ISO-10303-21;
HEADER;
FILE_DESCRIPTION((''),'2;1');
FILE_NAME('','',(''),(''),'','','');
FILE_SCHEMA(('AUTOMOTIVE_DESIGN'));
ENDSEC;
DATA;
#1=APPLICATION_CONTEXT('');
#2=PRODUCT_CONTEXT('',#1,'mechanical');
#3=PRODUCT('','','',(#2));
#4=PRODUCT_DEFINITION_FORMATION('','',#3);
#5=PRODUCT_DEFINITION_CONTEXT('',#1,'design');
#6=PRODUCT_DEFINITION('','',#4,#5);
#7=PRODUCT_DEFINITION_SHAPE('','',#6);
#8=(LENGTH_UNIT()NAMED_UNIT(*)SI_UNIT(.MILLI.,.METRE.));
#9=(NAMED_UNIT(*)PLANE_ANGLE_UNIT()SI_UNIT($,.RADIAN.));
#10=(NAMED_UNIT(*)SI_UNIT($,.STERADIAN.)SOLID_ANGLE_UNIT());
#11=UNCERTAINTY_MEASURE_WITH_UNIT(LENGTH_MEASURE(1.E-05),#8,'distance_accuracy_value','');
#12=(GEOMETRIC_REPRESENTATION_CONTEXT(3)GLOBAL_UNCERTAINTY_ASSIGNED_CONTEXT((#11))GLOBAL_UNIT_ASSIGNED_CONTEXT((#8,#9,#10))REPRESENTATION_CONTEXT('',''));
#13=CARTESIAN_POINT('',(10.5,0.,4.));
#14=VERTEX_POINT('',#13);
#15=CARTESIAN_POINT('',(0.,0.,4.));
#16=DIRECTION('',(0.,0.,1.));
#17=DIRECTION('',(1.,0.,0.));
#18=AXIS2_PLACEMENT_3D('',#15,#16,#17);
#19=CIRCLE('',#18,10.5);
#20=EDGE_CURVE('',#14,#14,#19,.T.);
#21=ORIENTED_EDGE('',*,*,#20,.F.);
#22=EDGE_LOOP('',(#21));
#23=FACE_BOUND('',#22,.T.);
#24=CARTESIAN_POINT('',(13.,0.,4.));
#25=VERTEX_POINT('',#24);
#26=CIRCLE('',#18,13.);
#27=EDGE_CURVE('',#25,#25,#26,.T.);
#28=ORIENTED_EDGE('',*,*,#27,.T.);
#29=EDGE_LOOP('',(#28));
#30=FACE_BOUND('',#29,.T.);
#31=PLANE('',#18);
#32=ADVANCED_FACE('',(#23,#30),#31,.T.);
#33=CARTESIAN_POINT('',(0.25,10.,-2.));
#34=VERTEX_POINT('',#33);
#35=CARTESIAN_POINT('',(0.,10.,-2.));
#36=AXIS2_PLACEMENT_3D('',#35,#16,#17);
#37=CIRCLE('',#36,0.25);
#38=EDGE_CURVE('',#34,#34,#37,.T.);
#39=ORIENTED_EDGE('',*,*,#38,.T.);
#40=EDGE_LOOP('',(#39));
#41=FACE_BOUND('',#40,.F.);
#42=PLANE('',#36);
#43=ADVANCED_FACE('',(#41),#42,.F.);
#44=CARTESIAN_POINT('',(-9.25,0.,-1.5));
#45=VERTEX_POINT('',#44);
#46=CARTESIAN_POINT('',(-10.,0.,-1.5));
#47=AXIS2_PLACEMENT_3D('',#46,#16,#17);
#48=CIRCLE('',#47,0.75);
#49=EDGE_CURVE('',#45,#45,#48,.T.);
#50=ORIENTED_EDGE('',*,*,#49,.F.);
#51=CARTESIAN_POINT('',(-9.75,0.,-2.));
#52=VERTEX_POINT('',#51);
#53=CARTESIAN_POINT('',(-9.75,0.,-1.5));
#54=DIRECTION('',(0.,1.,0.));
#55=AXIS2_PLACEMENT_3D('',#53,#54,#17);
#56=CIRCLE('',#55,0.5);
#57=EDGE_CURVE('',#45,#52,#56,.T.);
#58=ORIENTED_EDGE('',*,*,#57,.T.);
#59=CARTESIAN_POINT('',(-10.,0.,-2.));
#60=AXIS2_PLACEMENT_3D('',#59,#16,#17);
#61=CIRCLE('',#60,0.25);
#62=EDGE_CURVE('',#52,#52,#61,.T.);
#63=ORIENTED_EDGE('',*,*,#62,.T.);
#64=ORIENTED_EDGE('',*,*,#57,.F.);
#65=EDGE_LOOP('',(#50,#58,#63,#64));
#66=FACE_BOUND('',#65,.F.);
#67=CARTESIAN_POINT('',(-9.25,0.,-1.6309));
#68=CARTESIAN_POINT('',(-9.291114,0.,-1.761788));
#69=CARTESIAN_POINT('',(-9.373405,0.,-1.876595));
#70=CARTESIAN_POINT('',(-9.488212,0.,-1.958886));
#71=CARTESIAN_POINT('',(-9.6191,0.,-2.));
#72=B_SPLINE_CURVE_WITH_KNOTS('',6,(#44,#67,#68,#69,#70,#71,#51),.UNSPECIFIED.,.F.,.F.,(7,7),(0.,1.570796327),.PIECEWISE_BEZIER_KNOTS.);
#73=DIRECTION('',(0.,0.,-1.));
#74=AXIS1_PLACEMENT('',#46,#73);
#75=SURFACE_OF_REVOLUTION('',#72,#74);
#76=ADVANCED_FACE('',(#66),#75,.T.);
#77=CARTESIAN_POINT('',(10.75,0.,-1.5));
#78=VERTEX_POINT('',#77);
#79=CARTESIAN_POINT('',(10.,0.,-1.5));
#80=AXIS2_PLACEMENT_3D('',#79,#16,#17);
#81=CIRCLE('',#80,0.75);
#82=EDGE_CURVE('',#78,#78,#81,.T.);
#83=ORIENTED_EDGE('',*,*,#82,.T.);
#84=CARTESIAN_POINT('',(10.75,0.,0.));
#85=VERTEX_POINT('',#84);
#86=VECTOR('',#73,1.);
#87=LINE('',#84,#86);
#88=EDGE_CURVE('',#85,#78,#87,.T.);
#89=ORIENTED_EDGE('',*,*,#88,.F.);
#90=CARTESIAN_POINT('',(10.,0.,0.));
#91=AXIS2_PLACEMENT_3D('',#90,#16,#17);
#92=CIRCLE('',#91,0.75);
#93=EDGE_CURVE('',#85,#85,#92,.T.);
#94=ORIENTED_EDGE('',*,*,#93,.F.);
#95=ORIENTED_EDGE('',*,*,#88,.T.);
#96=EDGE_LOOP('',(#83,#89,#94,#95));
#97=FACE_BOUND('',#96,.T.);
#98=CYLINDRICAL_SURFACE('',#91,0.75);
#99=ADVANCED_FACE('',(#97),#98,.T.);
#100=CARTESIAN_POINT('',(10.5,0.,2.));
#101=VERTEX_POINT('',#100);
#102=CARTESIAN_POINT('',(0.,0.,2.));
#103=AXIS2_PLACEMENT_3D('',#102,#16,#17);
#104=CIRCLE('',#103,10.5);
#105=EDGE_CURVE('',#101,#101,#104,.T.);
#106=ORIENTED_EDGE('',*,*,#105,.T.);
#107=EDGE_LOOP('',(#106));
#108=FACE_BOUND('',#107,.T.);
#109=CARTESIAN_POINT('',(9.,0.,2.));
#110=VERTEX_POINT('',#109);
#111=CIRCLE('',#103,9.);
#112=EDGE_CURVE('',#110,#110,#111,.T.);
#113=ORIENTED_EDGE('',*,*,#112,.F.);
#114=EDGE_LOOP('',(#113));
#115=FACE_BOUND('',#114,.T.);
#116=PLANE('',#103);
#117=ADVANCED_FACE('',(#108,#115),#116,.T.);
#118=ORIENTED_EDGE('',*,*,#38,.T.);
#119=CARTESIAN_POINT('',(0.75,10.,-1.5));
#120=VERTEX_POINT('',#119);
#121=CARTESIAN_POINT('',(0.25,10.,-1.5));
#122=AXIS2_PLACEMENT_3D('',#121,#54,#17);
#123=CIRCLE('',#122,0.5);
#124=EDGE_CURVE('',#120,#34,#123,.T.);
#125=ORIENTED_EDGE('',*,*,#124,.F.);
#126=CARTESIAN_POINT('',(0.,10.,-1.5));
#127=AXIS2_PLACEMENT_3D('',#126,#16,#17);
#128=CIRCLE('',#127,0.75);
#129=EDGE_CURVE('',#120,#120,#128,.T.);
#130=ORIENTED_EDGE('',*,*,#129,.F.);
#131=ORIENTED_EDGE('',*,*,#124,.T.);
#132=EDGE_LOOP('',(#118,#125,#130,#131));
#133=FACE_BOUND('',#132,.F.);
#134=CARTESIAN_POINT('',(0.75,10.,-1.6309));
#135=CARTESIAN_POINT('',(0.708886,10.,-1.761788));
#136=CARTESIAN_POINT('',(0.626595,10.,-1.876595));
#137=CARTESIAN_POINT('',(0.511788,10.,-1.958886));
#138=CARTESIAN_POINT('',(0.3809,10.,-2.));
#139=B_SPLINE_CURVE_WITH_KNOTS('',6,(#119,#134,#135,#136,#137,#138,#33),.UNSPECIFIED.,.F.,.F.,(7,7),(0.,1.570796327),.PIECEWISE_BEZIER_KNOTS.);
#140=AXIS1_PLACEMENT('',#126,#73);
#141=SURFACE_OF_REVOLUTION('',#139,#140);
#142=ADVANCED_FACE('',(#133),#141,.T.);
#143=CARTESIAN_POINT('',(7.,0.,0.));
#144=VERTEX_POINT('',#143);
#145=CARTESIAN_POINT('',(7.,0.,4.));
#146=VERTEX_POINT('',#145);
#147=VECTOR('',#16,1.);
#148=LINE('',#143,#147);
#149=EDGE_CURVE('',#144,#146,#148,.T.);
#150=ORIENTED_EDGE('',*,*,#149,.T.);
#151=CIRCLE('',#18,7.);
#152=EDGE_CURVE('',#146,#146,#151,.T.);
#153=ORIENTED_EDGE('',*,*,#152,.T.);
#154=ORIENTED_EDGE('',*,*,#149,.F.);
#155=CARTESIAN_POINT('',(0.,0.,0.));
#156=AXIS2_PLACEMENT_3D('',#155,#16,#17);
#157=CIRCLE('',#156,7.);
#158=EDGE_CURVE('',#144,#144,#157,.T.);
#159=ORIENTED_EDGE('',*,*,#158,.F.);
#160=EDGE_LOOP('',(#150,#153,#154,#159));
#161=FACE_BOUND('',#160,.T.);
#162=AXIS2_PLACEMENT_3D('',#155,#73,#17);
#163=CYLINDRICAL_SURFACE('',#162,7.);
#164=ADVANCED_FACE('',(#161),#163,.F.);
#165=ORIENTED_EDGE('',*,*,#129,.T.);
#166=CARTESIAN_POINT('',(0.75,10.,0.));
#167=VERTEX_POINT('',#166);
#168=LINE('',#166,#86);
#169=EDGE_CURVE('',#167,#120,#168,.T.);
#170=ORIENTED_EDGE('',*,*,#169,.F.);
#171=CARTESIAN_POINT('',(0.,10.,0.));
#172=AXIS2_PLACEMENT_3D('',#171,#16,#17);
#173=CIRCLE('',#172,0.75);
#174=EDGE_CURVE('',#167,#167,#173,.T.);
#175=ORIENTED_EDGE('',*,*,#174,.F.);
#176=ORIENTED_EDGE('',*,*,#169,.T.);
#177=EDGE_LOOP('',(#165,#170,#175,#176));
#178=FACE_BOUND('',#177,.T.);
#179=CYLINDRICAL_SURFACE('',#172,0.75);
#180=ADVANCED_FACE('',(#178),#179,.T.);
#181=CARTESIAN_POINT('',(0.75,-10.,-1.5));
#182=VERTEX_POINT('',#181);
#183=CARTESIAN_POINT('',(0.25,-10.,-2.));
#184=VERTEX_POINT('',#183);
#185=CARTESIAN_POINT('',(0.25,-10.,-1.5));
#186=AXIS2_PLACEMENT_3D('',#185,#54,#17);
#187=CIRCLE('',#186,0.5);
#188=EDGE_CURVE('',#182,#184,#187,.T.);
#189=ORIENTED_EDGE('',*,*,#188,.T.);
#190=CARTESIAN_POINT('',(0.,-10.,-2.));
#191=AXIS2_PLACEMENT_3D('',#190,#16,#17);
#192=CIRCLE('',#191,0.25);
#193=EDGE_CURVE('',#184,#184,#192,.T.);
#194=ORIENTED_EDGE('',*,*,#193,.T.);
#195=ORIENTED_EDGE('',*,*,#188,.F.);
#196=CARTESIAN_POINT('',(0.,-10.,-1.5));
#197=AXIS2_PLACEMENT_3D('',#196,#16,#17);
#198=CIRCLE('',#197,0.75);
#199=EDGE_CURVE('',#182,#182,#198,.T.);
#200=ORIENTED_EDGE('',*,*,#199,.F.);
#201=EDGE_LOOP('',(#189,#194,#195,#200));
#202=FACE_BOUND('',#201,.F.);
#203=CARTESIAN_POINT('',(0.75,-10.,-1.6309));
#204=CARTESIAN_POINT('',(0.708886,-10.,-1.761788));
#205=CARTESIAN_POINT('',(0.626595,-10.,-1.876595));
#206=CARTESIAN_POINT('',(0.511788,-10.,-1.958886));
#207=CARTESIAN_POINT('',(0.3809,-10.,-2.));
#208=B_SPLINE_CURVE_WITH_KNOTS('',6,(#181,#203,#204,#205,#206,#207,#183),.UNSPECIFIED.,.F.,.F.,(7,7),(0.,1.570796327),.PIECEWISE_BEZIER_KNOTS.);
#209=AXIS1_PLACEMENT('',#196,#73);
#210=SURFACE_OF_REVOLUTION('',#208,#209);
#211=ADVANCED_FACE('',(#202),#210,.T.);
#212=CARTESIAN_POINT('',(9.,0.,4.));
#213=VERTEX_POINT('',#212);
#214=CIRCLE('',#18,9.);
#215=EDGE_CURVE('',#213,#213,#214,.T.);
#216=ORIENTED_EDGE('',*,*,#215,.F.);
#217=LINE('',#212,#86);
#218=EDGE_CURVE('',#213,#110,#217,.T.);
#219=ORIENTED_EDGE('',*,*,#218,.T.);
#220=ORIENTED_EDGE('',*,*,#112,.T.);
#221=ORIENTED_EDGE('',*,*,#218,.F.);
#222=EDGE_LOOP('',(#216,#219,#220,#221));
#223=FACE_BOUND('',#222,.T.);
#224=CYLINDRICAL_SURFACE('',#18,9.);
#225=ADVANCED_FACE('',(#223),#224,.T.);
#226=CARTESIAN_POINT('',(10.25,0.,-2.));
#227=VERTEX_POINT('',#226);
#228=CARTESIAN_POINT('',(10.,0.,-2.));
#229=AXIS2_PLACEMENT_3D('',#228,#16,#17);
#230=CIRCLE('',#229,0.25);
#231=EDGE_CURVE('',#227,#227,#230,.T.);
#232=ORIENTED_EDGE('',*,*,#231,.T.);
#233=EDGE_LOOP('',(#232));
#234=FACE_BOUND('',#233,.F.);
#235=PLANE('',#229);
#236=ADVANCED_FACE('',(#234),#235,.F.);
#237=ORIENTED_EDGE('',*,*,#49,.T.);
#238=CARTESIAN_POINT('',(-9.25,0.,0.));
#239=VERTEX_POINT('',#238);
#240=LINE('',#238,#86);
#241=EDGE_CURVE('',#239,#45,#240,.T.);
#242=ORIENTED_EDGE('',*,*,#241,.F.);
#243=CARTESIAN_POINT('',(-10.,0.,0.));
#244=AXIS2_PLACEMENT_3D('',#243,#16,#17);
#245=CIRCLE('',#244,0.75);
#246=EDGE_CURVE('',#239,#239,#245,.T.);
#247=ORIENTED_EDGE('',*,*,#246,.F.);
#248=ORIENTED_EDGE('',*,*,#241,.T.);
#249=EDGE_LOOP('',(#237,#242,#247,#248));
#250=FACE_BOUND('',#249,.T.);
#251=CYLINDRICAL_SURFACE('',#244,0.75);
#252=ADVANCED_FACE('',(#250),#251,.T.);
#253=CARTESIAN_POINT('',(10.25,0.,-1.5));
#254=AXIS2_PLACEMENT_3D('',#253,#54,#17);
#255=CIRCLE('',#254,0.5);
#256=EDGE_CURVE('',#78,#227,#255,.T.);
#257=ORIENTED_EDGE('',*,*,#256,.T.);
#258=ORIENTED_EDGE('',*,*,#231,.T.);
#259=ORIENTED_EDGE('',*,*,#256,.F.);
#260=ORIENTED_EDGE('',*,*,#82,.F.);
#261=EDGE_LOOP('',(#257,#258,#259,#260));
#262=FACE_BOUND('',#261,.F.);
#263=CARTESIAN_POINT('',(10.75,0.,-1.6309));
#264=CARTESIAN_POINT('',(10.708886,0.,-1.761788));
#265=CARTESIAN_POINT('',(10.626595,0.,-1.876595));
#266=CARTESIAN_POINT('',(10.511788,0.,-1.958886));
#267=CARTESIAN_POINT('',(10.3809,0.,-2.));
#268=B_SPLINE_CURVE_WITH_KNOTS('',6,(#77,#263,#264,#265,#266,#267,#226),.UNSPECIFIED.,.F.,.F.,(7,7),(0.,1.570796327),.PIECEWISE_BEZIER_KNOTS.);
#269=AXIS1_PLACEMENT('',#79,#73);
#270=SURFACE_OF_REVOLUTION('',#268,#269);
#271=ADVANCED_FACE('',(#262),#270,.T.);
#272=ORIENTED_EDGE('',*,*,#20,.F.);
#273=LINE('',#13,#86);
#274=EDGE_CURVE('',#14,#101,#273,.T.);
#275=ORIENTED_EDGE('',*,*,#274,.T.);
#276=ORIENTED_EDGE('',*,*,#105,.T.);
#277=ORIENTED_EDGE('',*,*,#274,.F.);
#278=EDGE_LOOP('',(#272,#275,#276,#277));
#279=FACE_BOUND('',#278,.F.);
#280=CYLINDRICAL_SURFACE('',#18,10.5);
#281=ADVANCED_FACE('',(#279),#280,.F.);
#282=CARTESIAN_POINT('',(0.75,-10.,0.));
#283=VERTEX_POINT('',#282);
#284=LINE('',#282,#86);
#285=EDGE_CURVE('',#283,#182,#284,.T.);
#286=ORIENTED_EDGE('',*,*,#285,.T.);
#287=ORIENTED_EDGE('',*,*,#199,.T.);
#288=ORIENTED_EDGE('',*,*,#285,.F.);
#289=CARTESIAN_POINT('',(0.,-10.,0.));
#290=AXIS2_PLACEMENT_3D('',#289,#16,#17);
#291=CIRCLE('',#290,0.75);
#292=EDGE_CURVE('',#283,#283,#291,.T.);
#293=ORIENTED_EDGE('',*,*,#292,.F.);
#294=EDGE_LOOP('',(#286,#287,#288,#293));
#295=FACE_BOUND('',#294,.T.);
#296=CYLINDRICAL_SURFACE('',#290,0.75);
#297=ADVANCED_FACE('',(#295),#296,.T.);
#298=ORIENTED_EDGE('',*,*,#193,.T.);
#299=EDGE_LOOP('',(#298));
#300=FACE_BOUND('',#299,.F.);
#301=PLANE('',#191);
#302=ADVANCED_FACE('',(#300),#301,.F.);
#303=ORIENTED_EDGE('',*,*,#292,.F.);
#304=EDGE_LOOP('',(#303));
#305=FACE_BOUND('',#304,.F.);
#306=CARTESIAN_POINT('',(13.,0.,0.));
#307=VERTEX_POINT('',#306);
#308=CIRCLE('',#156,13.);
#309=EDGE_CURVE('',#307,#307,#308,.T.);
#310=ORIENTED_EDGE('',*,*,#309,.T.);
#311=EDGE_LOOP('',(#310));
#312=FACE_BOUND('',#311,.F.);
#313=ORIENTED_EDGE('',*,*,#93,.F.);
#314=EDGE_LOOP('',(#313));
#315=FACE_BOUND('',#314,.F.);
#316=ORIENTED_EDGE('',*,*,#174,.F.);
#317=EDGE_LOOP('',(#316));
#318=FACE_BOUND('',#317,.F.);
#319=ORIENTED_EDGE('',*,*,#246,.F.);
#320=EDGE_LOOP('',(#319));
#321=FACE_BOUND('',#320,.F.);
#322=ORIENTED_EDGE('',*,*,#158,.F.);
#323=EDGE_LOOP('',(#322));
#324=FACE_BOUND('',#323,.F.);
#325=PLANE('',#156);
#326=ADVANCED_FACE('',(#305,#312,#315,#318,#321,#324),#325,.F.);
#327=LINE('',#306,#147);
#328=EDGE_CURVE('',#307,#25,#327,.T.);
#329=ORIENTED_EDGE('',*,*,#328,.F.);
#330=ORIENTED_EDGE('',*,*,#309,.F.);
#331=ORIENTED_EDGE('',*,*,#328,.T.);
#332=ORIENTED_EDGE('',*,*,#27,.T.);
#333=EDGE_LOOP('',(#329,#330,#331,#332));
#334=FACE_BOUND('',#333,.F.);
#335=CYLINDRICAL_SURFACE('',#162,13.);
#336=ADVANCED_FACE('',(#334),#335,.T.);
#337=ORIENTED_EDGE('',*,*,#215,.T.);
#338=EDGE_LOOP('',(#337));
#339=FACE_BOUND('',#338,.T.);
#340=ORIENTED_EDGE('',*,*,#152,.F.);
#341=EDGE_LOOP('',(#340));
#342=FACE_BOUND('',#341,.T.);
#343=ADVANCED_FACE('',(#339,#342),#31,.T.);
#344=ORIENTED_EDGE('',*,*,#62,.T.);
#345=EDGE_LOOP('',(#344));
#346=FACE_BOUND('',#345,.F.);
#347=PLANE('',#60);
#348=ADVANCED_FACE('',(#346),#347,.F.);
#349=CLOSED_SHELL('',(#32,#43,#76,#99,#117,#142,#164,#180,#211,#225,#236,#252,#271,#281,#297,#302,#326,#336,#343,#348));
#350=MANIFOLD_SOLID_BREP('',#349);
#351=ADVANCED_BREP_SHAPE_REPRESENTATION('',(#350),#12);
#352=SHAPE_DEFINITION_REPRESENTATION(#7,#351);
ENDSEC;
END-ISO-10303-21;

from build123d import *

# Parameters (mm, degrees)
F0_R     = 13
F0_R_2   = 7
F1_DEPTH = 4
F2_R     = 0.75
F3_DEPTH = 2
F4_R     = 0.5
F5_R     = 10.5
F5_R_2   = 9
F6_DEPTH = 2


with BuildPart() as f1:
    # F0 (on Top) → F1 (new body)
    with BuildSketch(Plane.XY):
        Circle(F0_R)
        Circle(F0_R_2, mode=Mode.SUBTRACT)
    extrude(amount=F1_DEPTH)

    # F2 (on Top) → F3 (join)
    with BuildSketch(Plane.XY):
        with Locations((0, -10)):
            Circle(F2_R)
        with Locations((-10, 0)):
            Circle(F2_R)
        with Locations((0, 10)):
            Circle(F2_R)
        with Locations((10, 0)):
            Circle(F2_R)
    extrude(amount=-F3_DEPTH)

    # F4
    f4_edges = [f1.edges().sort_by_distance(p)[0] for p in [
        (-10.75, 0, -2),
        (-0.75, -10, -2),
        (9.25, 0, -2),
        (-0.75, 10, -2),
    ]]
    fillet(f4_edges, radius=F4_R)

    # F5 (on face) → F6 (cut)
    with BuildSketch(Plane.XY.offset(4)):
        Circle(F5_R)
        Circle(F5_R_2, mode=Mode.SUBTRACT)
    extrude(amount=-F6_DEPTH, mode=Mode.SUBTRACT)


solid = f1.part
